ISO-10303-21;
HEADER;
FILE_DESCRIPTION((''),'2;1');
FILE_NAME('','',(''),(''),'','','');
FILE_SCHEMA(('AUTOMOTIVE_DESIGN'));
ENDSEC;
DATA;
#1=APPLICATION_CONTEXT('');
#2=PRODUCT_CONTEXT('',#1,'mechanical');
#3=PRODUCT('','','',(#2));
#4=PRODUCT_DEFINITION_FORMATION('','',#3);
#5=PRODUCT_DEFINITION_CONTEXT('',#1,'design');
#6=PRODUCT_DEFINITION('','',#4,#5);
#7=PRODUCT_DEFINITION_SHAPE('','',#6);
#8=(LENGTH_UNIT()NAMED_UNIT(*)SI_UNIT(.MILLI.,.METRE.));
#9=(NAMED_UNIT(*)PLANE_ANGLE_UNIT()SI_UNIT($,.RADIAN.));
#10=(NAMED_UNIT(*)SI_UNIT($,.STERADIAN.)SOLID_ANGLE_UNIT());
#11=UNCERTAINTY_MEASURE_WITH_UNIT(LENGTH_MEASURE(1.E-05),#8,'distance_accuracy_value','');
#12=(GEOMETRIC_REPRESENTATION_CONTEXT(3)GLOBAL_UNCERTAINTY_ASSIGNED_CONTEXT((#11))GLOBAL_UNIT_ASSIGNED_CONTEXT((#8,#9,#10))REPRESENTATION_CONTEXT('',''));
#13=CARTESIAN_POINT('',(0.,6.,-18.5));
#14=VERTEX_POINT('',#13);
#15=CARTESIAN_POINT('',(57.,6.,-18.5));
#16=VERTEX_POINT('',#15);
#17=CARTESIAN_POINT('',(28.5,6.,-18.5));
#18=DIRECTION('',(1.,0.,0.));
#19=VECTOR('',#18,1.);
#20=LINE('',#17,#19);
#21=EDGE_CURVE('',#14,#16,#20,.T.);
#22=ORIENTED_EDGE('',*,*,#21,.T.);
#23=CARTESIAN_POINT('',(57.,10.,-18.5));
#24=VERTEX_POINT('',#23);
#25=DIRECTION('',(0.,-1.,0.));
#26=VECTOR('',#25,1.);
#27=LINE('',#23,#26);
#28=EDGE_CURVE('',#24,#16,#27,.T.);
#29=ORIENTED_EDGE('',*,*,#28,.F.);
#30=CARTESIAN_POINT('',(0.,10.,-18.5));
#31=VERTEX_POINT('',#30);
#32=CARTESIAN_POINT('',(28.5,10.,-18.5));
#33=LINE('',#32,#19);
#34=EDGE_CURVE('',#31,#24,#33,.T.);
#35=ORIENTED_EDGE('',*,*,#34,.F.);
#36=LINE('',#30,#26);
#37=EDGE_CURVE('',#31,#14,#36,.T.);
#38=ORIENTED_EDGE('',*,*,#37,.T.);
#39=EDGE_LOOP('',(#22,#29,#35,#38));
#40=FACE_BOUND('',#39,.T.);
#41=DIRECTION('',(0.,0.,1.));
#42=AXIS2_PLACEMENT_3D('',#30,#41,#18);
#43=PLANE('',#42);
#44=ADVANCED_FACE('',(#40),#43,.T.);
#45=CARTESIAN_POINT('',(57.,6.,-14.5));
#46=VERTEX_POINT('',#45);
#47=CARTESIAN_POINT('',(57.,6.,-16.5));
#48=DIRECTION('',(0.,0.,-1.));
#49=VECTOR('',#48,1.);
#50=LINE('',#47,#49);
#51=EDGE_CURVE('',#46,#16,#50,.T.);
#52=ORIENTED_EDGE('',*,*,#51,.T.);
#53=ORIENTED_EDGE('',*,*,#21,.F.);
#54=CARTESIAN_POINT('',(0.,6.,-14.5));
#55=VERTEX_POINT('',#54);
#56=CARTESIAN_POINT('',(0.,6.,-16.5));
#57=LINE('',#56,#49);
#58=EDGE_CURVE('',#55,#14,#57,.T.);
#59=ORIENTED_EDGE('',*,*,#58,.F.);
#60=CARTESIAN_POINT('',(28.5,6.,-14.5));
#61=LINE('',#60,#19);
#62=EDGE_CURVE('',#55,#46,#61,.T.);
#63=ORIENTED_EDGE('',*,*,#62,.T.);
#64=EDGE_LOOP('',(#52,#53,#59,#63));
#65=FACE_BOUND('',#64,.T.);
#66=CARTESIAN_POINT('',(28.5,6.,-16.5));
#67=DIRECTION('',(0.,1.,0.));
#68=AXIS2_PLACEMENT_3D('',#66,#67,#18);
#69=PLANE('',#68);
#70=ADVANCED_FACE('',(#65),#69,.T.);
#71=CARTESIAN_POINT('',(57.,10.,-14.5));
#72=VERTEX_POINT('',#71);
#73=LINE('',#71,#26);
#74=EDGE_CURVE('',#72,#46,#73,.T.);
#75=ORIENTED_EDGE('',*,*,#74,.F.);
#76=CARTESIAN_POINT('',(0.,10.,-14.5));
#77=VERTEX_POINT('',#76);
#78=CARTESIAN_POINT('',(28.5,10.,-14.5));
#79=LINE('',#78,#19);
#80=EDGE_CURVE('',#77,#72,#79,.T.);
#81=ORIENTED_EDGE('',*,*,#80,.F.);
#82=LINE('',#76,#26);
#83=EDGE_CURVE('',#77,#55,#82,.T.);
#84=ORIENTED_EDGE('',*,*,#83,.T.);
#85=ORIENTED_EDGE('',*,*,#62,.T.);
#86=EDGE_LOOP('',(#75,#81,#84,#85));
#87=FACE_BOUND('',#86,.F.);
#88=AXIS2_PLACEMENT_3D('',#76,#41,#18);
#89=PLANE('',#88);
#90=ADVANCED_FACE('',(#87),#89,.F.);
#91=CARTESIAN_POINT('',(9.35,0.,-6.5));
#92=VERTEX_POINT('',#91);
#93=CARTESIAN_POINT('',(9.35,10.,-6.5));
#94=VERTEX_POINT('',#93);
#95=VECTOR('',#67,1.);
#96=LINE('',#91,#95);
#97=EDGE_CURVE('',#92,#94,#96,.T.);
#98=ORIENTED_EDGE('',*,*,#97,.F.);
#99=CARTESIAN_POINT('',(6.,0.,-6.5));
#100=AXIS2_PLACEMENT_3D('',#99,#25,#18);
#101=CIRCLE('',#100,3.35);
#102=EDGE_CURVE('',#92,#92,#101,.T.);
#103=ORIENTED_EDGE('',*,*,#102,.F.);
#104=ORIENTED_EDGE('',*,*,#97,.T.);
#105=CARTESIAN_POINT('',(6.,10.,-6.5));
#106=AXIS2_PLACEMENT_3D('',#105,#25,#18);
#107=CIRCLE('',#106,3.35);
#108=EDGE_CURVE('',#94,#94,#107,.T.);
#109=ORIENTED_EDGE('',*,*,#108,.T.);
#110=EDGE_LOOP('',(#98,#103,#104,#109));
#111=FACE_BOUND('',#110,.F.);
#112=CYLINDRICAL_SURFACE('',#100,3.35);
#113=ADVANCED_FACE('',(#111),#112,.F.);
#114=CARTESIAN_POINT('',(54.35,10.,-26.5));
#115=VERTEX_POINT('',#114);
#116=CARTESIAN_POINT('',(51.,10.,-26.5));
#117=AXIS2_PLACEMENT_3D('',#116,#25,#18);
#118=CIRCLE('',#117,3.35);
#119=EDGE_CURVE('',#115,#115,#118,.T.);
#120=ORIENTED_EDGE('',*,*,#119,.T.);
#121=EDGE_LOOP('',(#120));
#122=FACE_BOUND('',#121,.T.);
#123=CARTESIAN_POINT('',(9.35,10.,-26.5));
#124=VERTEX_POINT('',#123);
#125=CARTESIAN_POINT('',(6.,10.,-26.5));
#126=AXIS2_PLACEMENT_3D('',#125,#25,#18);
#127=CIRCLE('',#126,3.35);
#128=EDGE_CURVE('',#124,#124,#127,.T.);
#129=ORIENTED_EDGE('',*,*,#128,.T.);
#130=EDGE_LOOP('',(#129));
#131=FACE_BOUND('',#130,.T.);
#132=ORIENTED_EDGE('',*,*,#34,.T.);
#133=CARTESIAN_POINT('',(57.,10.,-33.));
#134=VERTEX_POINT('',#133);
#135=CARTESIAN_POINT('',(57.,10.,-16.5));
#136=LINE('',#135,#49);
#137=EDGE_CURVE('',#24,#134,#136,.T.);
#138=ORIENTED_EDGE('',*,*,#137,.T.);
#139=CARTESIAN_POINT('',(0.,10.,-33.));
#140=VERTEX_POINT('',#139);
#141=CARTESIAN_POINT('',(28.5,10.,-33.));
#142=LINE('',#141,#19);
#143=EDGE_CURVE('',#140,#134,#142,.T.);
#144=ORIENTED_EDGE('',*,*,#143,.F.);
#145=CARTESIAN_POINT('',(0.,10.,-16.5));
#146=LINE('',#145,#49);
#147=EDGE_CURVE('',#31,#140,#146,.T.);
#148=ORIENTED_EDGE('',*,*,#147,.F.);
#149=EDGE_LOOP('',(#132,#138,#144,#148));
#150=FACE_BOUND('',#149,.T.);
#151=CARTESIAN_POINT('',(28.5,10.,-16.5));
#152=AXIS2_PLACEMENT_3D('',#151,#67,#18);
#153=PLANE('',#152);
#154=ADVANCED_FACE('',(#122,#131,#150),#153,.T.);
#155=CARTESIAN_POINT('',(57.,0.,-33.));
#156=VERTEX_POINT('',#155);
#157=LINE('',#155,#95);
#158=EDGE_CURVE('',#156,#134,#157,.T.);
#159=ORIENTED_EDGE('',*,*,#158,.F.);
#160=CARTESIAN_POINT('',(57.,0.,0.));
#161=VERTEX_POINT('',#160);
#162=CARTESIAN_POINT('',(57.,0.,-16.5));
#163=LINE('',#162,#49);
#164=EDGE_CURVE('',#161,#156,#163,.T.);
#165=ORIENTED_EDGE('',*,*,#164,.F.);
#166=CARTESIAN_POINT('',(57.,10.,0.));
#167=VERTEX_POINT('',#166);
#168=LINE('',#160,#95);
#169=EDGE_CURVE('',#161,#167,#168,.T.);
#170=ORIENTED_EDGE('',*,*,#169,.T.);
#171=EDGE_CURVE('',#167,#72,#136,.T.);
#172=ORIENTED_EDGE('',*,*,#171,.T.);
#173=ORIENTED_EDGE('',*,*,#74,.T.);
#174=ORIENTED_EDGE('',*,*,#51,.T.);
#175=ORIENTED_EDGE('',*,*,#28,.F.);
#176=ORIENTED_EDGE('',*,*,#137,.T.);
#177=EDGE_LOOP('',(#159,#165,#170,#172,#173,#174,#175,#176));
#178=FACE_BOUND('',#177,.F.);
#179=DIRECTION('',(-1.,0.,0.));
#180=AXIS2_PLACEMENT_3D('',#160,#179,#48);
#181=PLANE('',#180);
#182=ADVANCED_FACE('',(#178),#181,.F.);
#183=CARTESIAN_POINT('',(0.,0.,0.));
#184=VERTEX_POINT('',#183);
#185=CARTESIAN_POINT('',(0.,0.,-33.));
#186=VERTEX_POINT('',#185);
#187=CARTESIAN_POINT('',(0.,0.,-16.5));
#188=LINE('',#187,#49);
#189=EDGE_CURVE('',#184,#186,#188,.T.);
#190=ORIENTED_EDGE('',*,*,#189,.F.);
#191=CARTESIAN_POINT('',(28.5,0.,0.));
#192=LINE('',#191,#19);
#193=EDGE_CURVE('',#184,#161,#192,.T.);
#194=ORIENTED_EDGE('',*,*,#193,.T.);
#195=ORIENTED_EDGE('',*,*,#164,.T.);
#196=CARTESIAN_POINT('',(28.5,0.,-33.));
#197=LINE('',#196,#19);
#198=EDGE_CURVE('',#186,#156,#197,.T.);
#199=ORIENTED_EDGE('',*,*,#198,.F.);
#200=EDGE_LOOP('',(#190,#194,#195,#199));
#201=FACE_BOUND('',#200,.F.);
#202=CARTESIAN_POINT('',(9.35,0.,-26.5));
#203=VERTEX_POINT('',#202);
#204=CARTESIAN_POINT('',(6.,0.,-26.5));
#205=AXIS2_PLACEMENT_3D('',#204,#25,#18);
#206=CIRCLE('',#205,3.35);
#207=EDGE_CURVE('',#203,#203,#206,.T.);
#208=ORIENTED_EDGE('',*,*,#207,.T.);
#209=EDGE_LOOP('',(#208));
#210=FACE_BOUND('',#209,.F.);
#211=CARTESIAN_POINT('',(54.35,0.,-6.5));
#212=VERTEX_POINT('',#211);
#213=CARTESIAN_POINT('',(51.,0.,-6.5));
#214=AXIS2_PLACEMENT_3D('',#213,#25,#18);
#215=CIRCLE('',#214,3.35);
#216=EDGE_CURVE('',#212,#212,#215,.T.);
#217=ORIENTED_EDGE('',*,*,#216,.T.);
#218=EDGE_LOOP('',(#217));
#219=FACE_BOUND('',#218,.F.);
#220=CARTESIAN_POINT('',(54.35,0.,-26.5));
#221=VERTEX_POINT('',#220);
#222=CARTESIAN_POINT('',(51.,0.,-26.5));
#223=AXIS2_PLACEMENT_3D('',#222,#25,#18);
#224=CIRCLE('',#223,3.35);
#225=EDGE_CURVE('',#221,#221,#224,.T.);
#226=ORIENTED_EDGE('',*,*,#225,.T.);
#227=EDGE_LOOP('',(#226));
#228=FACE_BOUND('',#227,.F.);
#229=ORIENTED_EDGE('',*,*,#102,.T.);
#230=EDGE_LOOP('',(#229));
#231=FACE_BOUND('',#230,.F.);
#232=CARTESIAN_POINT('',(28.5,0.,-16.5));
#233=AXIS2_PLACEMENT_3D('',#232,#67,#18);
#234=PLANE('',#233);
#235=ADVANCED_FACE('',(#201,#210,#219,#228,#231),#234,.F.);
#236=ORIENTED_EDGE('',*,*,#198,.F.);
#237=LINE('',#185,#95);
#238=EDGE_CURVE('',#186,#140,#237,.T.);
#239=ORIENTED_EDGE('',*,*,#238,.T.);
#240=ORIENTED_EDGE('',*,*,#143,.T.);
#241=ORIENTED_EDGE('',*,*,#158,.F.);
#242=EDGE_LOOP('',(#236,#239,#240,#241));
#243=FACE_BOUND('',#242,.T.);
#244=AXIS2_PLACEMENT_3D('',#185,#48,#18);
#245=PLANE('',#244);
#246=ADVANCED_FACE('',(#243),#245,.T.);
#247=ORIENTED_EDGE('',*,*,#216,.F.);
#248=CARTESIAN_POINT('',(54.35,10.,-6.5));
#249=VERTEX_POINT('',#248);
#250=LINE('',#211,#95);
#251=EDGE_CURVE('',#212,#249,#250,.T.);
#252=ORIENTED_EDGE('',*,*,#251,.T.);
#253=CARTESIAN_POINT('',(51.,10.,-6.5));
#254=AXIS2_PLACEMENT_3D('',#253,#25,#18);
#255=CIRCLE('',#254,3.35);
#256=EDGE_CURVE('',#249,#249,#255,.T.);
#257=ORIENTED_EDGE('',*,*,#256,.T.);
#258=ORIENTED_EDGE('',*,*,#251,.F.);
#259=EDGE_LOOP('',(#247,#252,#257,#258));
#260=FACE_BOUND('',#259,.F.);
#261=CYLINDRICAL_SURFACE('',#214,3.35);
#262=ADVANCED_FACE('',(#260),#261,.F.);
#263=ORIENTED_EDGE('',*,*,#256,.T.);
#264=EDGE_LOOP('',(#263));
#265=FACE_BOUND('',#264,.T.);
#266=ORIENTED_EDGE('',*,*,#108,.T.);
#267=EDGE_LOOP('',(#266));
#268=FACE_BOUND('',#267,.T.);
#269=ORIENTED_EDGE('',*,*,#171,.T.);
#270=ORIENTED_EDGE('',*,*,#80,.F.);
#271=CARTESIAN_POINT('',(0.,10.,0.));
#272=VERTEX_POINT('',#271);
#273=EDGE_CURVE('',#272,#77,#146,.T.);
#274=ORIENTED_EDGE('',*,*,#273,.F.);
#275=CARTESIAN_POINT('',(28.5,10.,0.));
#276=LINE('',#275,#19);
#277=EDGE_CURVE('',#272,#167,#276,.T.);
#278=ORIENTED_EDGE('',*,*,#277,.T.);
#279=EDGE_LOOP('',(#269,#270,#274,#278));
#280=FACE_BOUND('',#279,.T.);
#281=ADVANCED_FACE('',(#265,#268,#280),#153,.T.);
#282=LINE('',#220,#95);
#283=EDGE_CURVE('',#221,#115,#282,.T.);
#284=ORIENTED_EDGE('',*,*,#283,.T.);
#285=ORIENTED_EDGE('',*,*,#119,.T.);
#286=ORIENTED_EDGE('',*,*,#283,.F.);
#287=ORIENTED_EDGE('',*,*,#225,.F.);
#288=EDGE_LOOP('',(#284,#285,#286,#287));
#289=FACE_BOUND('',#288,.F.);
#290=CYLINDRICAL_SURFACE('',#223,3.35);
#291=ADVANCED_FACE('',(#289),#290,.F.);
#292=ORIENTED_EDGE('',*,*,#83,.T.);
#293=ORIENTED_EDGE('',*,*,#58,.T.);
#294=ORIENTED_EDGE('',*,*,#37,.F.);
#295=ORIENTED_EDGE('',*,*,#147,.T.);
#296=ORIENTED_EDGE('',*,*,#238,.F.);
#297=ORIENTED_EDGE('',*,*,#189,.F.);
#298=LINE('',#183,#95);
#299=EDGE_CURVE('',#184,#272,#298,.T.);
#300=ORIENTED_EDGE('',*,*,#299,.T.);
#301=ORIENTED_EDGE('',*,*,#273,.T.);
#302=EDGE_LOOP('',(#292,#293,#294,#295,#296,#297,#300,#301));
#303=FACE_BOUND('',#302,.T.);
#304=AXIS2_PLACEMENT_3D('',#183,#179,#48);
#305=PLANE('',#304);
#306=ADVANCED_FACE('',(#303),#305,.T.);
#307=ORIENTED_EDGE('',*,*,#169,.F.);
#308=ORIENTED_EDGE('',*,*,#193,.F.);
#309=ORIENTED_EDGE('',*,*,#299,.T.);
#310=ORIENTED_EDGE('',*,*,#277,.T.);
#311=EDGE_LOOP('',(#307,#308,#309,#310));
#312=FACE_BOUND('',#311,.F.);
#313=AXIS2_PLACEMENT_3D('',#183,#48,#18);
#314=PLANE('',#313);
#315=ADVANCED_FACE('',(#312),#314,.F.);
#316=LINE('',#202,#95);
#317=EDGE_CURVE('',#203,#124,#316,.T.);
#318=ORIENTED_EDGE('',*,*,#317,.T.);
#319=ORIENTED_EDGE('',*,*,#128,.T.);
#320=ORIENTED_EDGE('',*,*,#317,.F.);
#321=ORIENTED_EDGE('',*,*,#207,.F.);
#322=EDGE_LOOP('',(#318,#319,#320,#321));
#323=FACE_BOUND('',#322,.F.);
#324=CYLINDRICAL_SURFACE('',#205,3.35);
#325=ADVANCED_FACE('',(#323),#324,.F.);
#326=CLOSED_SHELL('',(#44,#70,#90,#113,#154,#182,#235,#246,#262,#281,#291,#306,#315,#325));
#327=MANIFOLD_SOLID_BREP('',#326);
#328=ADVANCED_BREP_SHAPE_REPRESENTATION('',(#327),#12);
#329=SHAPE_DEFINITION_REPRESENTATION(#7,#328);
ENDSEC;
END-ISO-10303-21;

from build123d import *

# Parameters (mm, degrees)
SKETCH1_W           = 57
SKETCH1_H           = 33
BOSS_EXTRUDE1_DEPTH = 10
SKETCH3_R           = 3.35
CUT_EXTRUDE1_DEPTH  = 11
SKETCH4_R           = 3.35
CUT_EXTRUDE2_DEPTH  = 11
SKETCH10_R          = 3.35
CUT_EXTRUDE5_DEPTH  = 11
SKETCH12_R          = 3.35
CUT_EXTRUDE6_DEPTH  = 11
SKETCH16_W          = 57
SKETCH16_H          = 4
CUT_EXTRUDE7_DEPTH  = 4


with BuildPart() as part:
    # Sketch1 → Boss-Extrude1 (new body)
    with BuildSketch(Plane(origin=(0, 0, 0), x_dir=(1, 0, 0), z_dir=(0, 1, 0))):
        with Locations((28.5, 16.5)):
            Rectangle(SKETCH1_W, SKETCH1_H)
    extrude(amount=BOSS_EXTRUDE1_DEPTH)

    # Sketch3 → Cut-Extrude1 (cut, through all)
    with BuildSketch(Plane.XZ):
        with Locations((6, -6.5)):
            Circle(SKETCH3_R)
    extrude(amount=-CUT_EXTRUDE1_DEPTH, mode=Mode.SUBTRACT)

    # Sketch4 → Cut-Extrude2 (cut, through all)
    with BuildSketch(Plane.XZ):
        with Locations((51, -26.5)):
            Circle(SKETCH4_R)
    extrude(amount=-CUT_EXTRUDE2_DEPTH, mode=Mode.SUBTRACT)

    # Sketch10 → Cut-Extrude5 (cut, through all)
    with BuildSketch(Plane.XZ):
        with Locations((6, -26.5)):
            Circle(SKETCH10_R)
    extrude(amount=-CUT_EXTRUDE5_DEPTH, mode=Mode.SUBTRACT)

    # Sketch12 → Cut-Extrude6 (cut, through all)
    with BuildSketch(Plane.XZ):
        with Locations((51, -6.5)):
            Circle(SKETCH12_R)
    extrude(amount=-CUT_EXTRUDE6_DEPTH, mode=Mode.SUBTRACT)

    # Sketch16 → Cut-Extrude7 (cut)
    with BuildSketch(Plane(origin=(0, 10, 0), x_dir=(1, 0, 0), z_dir=(0, 1, 0))):
        with Locations((28.5, 16.5)):
            Rectangle(SKETCH16_W, SKETCH16_H)
    extrude(amount=-CUT_EXTRUDE7_DEPTH, mode=Mode.SUBTRACT)


solid = part.part
